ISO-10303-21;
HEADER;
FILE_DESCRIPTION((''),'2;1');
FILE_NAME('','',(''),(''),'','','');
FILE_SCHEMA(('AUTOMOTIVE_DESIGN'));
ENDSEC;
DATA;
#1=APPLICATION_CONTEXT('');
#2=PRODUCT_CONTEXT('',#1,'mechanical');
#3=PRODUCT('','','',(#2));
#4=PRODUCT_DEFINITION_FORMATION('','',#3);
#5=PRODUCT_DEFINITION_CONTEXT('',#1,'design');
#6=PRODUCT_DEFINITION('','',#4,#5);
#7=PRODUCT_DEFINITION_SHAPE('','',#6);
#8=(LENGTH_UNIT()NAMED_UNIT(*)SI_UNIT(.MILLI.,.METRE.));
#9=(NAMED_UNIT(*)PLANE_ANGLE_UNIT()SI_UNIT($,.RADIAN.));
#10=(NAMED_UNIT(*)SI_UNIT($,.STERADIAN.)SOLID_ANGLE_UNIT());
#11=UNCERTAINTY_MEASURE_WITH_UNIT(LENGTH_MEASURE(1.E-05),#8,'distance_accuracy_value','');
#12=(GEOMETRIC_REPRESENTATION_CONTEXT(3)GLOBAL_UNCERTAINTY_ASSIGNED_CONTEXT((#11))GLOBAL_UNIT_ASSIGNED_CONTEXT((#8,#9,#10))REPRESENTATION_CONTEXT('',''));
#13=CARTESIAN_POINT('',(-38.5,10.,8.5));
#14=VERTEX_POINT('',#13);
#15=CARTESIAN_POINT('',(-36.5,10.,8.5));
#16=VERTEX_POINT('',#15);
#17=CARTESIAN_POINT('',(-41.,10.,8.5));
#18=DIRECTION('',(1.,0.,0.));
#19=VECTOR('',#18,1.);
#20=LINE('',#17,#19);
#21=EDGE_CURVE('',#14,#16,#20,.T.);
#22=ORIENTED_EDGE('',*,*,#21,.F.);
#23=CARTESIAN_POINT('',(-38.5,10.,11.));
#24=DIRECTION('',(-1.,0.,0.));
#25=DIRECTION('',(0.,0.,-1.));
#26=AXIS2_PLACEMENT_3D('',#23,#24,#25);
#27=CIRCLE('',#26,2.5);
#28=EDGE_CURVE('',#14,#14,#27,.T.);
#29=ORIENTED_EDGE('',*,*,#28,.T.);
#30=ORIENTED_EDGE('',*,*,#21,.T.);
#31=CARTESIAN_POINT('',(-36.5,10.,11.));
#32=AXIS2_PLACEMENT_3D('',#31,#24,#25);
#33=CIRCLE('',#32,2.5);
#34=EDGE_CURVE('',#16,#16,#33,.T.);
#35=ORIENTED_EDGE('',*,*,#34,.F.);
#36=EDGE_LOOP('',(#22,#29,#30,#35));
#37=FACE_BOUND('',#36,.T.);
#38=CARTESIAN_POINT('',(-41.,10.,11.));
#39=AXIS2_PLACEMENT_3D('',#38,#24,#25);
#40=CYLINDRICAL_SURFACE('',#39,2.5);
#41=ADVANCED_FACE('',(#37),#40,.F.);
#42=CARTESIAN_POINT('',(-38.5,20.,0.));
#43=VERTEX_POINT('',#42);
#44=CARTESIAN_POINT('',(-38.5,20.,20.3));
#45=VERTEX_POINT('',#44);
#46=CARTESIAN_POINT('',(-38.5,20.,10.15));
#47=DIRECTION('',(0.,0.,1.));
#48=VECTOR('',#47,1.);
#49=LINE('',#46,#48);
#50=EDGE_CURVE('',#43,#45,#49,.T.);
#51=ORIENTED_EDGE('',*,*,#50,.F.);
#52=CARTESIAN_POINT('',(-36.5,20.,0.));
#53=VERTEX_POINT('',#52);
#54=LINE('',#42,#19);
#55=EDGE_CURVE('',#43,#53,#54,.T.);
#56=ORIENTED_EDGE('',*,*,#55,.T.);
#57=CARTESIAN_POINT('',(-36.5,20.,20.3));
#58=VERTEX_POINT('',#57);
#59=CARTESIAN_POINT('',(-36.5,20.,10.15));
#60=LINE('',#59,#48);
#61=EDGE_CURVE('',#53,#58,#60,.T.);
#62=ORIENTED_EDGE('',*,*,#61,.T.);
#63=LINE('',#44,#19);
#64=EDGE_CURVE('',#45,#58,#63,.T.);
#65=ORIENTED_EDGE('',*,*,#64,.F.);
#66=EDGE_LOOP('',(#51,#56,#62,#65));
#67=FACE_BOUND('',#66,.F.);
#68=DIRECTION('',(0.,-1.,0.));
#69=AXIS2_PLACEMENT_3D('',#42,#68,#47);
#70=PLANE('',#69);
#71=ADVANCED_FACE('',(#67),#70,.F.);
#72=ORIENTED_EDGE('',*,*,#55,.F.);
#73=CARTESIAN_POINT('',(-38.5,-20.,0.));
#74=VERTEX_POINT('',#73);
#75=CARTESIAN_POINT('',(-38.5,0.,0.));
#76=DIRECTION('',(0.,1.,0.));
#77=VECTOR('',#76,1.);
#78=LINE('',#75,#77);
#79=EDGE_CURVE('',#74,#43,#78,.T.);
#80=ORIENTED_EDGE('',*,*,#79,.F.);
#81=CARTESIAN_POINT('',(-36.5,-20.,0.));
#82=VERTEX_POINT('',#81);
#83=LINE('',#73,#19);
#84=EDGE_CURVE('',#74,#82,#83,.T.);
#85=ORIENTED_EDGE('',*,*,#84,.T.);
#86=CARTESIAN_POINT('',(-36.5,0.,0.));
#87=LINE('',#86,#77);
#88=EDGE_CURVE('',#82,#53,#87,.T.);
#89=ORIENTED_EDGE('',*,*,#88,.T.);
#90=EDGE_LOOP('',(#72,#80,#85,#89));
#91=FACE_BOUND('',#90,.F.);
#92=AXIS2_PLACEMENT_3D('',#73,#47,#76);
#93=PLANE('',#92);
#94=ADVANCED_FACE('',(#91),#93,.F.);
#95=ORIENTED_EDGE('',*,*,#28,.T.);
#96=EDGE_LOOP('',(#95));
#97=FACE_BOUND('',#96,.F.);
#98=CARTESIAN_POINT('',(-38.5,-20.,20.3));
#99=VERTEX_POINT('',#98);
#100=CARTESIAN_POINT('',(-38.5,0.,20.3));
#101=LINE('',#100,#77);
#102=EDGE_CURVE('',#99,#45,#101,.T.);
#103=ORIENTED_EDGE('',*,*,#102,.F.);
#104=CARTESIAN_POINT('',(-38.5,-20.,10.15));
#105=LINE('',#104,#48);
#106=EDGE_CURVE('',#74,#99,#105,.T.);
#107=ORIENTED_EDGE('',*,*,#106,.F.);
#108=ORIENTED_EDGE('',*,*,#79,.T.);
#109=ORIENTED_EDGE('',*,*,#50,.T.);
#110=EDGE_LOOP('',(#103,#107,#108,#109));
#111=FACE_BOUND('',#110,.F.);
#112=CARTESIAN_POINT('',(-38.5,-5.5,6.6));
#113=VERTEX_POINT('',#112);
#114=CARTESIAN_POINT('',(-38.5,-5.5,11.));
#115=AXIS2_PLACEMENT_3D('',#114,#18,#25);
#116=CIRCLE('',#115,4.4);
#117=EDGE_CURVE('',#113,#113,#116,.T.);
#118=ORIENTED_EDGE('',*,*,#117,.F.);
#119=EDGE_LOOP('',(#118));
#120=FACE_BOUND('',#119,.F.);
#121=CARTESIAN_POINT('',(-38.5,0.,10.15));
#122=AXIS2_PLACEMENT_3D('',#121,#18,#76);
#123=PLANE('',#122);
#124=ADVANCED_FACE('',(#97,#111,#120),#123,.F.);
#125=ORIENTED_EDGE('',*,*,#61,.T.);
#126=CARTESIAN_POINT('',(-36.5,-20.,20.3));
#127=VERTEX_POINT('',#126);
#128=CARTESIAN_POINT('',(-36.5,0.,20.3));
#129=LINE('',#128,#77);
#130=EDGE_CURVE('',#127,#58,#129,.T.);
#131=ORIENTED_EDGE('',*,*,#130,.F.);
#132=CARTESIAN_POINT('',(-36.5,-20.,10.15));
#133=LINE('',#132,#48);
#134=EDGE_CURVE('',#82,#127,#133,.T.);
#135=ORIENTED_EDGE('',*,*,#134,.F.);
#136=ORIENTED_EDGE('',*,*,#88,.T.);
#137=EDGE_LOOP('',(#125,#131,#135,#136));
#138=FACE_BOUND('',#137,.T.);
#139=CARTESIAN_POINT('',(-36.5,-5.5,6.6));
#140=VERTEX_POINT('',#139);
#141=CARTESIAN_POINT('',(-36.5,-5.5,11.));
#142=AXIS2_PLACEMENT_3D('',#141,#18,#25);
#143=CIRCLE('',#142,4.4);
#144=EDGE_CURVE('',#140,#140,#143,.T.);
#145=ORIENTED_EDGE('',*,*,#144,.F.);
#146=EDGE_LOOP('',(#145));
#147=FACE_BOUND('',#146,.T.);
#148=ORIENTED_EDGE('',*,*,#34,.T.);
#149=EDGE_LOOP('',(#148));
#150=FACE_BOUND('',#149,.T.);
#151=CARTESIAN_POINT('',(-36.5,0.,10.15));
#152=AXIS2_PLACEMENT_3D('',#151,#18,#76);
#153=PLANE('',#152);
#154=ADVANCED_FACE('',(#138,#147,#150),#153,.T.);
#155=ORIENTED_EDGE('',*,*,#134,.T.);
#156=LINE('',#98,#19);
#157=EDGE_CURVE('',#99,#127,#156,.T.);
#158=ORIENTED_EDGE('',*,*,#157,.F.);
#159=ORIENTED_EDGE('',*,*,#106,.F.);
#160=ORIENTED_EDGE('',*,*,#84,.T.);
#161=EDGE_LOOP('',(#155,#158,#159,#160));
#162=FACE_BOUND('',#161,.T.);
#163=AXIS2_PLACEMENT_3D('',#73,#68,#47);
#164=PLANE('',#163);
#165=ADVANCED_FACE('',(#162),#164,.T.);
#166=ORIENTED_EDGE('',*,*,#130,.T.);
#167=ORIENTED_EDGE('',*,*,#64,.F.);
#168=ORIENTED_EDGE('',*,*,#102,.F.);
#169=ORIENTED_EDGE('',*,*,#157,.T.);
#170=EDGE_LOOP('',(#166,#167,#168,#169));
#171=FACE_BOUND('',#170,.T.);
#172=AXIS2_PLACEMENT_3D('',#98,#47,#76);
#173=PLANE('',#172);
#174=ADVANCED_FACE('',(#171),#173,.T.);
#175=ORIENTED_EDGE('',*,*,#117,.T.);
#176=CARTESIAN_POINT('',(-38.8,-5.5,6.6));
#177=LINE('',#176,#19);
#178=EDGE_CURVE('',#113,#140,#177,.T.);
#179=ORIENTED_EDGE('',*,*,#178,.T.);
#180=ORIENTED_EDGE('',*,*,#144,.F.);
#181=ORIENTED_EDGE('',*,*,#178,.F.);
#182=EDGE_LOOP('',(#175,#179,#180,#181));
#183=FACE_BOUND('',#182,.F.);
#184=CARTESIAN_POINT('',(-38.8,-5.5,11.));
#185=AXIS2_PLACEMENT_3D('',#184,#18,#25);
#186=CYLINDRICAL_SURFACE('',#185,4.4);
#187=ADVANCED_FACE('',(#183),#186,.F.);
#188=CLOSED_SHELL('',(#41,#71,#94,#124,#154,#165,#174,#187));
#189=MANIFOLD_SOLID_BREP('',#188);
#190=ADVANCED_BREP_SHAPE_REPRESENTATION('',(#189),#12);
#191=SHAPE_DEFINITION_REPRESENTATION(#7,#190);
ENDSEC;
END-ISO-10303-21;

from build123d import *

# Parameters (mm, degrees)
SKETCH006_W    = 16
SKETCH006_H    = 5.3
SKETCH006_W_2  = 5.6
SKETCH006_H_2  = 4.4
CYLINDER_R     = 2.5
CYLINDER_DEPTH = 10
SKETCH_W       = 40
SKETCH_H       = 20.3
PAD005_DEPTH   = 2


with BuildPart() as power_socket_mockup:
    # Sketch006 → Revolution (revolve)
    with BuildSketch(Plane.XZ):
        with Locations((8, -2.65)):
            Rectangle(SKETCH006_W, SKETCH006_H)
        with Locations((-2.8, -2.2)):
            Rectangle(SKETCH006_W_2, SKETCH006_H_2)
    revolve(axis=Axis((0, 0, 0), (1, 0, 0)))


with BuildPart() as power_socket_mockup_1:
    # Body005 placement: moved
    add(power_socket_mockup.part.moved(Location((-36, -5.5, 11))))


with BuildPart() as wire_hole:
    # Cylinder → Cylinder (new body)
    with BuildSketch(Plane(origin=(-41, 10, 11), x_dir=(0, 0, -1), z_dir=(1, 0, 0))):
        Circle(CYLINDER_R)
    extrude(amount=CYLINDER_DEPTH)


with BuildPart() as power_holes_cut:
    # Sketch → Pad005 (new body)
    with BuildSketch(Plane.YZ.offset(28.5)):
        with Locations((0, 10.15)):
            Rectangle(SKETCH_W, SKETCH_H)
    extrude(amount=PAD005_DEPTH)


with BuildPart() as power_holes_cut_1:
    # Body003 placement: moved
    add(power_holes_cut.part.moved(Location((-67, 0, 0))))

    # Cut: cut wire_hole
    add(wire_hole.part, mode=Mode.SUBTRACT)

    # Cut002: cut power socket mockup
    add(power_socket_mockup_1.part, mode=Mode.SUBTRACT)


solid = power_holes_cut_1.part
